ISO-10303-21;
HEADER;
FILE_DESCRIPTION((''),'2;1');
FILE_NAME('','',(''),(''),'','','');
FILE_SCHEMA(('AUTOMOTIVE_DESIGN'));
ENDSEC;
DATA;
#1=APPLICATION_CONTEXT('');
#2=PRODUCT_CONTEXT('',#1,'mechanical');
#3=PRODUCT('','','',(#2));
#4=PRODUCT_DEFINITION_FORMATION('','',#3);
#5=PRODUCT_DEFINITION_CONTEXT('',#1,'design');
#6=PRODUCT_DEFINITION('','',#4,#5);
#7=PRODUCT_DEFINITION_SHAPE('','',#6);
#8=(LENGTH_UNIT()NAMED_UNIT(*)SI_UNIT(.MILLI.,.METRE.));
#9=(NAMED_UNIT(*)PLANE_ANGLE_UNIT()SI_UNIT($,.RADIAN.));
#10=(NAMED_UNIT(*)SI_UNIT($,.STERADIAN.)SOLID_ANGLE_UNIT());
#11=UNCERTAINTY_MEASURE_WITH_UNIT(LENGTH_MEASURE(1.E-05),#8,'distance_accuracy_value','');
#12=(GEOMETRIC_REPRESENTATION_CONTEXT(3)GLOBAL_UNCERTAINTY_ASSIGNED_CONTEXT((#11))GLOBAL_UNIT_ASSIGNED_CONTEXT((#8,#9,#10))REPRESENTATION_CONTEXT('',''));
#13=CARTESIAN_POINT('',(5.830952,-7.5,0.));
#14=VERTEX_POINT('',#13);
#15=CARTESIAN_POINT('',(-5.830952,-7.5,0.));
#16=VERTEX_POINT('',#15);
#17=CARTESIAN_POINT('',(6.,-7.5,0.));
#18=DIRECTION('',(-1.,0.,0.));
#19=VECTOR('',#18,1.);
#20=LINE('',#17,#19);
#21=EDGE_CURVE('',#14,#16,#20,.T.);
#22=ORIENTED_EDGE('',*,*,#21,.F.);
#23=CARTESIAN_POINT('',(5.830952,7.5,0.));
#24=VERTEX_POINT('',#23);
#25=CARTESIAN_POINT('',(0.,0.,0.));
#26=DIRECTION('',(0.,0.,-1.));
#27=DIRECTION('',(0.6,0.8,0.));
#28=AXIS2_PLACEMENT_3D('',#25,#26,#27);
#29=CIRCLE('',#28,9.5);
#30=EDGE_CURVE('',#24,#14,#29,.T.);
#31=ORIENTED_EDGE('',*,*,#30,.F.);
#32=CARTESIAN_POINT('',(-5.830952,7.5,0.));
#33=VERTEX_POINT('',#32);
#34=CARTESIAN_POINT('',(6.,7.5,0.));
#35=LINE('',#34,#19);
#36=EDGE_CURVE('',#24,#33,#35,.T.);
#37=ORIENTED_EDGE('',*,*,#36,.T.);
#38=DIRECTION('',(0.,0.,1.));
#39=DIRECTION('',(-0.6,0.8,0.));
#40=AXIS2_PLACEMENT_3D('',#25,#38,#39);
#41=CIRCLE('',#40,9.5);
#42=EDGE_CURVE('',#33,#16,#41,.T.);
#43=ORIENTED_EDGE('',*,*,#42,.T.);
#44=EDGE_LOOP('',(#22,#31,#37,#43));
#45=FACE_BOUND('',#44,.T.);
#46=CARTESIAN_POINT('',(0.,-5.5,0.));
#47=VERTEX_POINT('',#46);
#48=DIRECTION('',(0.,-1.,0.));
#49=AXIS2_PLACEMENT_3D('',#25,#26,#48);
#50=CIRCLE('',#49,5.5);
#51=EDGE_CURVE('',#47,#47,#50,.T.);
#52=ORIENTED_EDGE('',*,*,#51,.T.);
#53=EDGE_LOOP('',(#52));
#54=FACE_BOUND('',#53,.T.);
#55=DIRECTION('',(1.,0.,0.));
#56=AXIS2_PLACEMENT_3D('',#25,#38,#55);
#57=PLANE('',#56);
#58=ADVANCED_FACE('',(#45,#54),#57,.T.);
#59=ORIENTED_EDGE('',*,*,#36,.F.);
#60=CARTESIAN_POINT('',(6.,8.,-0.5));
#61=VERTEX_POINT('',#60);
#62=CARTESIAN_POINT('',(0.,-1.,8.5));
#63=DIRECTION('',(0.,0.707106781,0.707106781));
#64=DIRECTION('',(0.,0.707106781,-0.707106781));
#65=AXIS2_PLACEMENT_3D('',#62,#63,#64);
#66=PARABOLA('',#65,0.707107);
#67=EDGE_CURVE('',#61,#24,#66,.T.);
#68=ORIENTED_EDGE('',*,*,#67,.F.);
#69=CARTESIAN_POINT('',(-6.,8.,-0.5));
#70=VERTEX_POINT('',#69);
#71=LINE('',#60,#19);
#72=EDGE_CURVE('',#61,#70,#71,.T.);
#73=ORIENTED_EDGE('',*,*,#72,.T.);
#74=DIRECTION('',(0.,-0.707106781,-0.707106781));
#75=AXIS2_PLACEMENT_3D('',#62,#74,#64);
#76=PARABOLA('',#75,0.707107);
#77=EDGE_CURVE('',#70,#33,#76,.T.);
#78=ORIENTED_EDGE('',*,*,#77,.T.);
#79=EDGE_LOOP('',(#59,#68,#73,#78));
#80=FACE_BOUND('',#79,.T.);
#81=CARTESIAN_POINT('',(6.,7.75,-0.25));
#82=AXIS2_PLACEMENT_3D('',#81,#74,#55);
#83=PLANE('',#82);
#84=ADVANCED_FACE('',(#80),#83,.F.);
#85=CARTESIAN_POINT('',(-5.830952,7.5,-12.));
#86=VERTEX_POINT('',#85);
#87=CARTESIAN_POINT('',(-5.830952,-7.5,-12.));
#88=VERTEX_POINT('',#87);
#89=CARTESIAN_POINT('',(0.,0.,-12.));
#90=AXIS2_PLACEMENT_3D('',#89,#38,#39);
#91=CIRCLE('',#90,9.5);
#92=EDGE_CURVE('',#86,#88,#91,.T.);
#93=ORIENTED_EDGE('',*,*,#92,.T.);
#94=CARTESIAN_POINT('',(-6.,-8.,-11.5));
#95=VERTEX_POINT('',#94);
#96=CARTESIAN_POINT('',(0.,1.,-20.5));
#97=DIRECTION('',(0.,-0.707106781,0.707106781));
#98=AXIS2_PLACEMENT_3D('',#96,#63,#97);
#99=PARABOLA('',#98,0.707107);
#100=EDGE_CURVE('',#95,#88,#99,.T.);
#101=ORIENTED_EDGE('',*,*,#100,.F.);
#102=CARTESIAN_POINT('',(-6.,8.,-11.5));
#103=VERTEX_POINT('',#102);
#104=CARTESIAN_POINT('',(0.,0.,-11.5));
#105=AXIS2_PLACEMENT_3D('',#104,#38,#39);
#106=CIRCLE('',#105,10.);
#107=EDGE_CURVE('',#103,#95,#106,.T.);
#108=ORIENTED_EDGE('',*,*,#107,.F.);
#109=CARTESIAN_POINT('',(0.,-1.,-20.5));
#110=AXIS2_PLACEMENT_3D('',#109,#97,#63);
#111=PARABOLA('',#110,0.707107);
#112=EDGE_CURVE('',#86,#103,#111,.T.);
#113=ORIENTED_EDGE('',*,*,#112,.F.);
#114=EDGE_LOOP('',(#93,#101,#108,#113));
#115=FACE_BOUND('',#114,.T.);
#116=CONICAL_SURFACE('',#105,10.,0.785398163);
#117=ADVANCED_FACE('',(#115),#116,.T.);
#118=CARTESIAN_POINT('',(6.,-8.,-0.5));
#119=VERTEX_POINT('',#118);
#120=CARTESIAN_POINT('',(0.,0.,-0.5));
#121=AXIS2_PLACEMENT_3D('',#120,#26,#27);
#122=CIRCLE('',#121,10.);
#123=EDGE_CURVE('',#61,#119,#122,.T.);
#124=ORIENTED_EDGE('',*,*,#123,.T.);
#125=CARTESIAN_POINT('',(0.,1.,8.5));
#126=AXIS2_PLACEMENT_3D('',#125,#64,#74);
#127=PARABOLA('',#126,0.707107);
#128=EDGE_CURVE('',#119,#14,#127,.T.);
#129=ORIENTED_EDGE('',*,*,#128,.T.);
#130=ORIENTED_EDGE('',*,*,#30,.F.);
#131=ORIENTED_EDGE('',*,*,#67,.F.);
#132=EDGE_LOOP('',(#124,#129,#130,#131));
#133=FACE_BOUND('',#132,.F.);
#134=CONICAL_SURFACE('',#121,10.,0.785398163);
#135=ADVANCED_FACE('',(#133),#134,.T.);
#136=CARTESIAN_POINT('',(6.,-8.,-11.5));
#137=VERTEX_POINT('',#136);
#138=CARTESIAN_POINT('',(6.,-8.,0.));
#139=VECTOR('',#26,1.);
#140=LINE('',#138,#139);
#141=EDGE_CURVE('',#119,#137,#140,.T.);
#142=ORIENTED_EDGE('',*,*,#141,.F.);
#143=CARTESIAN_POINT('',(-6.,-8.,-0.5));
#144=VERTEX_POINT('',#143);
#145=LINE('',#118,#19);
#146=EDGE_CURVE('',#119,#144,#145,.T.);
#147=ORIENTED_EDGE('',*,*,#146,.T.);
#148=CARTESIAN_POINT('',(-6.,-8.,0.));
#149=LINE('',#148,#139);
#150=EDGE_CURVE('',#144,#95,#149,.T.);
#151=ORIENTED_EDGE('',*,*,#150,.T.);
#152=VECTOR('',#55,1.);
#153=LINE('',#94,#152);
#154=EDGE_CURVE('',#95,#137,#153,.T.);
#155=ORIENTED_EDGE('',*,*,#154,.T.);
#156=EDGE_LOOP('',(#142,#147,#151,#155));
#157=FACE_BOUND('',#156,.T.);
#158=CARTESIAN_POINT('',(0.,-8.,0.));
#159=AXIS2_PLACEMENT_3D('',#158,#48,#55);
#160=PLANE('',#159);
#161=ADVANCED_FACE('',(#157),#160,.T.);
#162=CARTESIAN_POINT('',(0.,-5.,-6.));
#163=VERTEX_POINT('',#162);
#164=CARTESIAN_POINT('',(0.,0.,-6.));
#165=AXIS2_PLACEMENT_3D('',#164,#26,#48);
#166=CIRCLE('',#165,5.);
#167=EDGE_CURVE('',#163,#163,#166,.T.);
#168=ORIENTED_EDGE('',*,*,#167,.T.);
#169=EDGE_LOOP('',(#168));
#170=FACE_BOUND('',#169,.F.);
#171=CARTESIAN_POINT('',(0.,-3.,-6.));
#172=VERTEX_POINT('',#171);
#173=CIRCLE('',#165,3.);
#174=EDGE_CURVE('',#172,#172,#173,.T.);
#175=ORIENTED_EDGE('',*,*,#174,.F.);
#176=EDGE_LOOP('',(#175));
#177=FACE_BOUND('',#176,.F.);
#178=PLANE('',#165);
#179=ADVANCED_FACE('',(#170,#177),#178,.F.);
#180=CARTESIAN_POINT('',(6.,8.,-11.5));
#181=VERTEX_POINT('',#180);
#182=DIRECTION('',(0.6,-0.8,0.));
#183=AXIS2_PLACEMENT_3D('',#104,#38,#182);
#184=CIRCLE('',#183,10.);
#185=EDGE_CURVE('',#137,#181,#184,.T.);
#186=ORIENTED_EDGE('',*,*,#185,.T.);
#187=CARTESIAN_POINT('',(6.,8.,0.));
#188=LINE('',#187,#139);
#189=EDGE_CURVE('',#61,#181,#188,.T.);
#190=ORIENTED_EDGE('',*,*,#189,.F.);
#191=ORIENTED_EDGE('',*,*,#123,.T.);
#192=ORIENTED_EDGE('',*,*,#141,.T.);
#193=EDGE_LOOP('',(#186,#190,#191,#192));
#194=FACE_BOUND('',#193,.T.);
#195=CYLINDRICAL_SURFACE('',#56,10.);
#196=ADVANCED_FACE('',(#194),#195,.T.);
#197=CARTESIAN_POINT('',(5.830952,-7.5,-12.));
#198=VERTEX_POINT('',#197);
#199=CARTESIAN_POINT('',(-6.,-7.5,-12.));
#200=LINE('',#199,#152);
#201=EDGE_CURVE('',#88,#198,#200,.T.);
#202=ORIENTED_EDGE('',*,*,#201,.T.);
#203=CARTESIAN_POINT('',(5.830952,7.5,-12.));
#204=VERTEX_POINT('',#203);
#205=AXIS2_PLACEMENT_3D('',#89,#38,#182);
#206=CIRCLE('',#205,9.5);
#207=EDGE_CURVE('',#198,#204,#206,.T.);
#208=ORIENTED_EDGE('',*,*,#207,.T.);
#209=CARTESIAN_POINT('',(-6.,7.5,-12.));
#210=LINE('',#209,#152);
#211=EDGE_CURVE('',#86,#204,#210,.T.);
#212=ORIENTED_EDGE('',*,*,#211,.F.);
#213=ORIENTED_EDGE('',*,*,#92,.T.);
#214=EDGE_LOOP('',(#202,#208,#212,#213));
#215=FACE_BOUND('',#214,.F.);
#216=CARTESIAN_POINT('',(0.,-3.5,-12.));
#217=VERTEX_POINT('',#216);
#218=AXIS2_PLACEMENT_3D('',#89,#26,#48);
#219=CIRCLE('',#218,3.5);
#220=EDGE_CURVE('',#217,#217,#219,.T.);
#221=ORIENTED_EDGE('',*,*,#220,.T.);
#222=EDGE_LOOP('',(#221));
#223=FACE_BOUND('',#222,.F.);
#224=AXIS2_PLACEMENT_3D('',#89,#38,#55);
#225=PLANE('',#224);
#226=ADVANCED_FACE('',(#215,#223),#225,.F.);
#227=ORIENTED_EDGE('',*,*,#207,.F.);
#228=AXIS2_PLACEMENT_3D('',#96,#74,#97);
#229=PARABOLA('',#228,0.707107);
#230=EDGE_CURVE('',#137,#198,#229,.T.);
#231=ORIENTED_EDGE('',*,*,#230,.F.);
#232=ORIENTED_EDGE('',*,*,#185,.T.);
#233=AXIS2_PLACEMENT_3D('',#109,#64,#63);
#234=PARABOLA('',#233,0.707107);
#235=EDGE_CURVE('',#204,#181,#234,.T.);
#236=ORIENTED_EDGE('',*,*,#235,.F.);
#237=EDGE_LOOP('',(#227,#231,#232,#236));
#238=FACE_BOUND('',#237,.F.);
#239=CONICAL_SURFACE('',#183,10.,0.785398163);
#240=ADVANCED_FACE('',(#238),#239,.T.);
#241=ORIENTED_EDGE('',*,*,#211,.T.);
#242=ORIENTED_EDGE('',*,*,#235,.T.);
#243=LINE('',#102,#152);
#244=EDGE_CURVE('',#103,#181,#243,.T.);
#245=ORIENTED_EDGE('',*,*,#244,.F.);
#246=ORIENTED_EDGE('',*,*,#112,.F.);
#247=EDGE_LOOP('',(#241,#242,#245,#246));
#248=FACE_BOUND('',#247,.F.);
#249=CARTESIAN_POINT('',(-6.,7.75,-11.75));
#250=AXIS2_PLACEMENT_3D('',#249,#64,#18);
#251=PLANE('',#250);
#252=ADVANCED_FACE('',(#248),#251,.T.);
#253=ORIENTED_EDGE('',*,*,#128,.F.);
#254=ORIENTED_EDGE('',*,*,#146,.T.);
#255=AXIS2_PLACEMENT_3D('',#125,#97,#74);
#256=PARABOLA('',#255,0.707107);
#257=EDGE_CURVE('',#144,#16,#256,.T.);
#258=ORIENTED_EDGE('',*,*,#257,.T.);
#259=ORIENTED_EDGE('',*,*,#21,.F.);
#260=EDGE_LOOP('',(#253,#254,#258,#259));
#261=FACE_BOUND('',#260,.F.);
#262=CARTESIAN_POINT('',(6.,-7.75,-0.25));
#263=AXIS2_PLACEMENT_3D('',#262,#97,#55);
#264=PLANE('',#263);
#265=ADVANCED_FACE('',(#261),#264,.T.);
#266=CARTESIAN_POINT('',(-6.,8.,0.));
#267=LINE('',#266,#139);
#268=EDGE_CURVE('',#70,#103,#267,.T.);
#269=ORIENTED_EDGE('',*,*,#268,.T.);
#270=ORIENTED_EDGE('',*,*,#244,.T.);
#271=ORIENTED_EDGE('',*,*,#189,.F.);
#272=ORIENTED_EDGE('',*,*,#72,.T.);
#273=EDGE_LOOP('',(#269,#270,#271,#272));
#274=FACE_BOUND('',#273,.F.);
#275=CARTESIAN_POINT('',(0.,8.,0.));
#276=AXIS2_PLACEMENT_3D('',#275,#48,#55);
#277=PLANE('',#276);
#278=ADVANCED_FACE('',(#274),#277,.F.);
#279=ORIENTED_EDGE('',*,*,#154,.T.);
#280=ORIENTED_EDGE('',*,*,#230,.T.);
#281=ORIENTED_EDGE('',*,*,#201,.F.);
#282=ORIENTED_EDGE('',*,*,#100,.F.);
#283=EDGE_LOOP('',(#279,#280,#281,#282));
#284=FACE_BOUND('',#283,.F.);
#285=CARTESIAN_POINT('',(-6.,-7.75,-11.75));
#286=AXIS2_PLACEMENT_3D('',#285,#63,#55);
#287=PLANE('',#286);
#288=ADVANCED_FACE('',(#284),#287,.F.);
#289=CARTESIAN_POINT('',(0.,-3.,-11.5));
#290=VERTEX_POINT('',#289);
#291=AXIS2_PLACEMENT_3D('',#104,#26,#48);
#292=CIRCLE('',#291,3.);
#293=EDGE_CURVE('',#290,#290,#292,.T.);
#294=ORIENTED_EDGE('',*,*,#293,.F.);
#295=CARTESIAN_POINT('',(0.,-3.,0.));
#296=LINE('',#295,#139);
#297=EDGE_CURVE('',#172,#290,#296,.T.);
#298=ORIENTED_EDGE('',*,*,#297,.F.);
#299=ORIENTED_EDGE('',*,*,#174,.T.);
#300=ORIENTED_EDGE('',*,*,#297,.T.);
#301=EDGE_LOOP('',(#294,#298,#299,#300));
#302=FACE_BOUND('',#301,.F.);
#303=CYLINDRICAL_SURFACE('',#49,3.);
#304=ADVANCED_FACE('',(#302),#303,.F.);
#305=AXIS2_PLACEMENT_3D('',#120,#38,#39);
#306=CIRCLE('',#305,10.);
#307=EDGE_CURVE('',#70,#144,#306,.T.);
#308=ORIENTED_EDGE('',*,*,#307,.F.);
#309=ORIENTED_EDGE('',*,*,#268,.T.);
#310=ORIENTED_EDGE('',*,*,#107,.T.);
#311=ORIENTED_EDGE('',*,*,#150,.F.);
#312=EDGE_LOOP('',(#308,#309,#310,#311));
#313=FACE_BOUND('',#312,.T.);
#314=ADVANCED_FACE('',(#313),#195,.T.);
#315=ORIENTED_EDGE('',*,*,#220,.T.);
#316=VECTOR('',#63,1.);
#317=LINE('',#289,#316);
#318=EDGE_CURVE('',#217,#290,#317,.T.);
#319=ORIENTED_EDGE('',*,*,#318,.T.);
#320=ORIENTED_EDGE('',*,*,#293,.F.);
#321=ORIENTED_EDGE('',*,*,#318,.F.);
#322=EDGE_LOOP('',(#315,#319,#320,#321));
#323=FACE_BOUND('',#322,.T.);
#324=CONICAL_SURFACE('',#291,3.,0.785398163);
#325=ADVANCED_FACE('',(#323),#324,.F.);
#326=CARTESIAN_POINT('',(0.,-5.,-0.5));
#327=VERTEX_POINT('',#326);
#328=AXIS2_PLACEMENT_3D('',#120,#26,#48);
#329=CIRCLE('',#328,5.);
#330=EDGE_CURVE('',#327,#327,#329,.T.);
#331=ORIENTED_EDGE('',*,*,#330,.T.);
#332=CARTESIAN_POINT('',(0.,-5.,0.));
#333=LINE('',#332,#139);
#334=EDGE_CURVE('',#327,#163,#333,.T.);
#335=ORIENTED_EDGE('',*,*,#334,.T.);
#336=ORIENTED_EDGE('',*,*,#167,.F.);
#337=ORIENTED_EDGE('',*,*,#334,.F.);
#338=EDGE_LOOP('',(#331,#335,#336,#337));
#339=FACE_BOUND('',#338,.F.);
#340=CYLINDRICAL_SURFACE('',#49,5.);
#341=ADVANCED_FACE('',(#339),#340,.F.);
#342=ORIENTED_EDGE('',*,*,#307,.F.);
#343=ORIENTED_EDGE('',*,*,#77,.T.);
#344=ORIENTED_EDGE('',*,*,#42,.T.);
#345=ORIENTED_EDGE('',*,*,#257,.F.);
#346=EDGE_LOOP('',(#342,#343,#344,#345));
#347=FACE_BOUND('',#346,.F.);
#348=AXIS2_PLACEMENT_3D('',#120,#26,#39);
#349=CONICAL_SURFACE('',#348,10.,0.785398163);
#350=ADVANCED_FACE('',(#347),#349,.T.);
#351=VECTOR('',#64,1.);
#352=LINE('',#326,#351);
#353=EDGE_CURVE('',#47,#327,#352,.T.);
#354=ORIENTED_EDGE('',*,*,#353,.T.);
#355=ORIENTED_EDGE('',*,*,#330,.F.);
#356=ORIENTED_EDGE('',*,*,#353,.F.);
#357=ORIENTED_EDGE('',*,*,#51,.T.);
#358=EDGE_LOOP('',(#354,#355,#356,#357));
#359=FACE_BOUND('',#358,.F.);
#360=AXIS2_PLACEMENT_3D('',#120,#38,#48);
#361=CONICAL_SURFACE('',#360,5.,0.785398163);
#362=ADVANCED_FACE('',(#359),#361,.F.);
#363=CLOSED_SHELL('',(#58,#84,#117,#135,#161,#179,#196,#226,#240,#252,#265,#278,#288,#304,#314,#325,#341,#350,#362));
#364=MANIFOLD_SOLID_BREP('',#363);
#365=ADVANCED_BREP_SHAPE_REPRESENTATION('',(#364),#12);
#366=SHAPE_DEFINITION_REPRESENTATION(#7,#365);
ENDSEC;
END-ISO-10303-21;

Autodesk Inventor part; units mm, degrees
ref_plane "YZ Plane" through (0, 0, 0) normal (1, 0, 0) x (0, 1, 0)
ref_plane "XZ Plane" through (0, 0, 0) normal (0, 1, 0) x (-1, 0, 0)
ref_plane "XY Plane" through (0, 0, 0) normal (0, 0, 1) x (1, 0, 0)
sketch "Sketch1" plane through (0, 0, 0) normal (0, 0, 1) x (1, 0, 0)
  circle A0 centre (0, 0) radius 10
  line L0 (0, 10) -> (0, 8)
  line L1 (0, -10) -> (0, -8)
  line L2 (-6, -8) -> (6, -8)
  line L3 (-6, 8) -> (6, 8)
  point P0 (-6, 8)
  point P1 (-6, -8)
  dimension "d0" = 20
  dimension "d28" = 2
  dimension "d29" = 2
extrude "Extrusion1" add sketch "Sketch1" against normal blind 12 contours A0 L2 L3
hole "Hole1" at (0, 0, 0) direction (0, 0, -1) diameter 10 depth 6
hole "Hole2" at (0, 0, 0) direction (0, 0, -1) diameter 6 end through all
thread "Thread1" size "M10x1.5" class "6H" standard "ANSI Metric M Profile" full length
thread "Thread2" size "M6x1" class "6H" standard "ANSI Metric M Profile" full length
chamfer "Chamfer3" distance 0.5 angle 45 8 edges at (0, 8, 0) (0, -8, 0) (10, 0, 0) (-10, 0, 0) (0, -8, -12) (0, 8, -12) (10, 0, -12) (-10, 0, -12)
chamfer "Chamfer4" distance 0.5 angle 45 2 edges at (0, 5, 0) (0, 3, -12)
properties part number "NozzleConnector"
